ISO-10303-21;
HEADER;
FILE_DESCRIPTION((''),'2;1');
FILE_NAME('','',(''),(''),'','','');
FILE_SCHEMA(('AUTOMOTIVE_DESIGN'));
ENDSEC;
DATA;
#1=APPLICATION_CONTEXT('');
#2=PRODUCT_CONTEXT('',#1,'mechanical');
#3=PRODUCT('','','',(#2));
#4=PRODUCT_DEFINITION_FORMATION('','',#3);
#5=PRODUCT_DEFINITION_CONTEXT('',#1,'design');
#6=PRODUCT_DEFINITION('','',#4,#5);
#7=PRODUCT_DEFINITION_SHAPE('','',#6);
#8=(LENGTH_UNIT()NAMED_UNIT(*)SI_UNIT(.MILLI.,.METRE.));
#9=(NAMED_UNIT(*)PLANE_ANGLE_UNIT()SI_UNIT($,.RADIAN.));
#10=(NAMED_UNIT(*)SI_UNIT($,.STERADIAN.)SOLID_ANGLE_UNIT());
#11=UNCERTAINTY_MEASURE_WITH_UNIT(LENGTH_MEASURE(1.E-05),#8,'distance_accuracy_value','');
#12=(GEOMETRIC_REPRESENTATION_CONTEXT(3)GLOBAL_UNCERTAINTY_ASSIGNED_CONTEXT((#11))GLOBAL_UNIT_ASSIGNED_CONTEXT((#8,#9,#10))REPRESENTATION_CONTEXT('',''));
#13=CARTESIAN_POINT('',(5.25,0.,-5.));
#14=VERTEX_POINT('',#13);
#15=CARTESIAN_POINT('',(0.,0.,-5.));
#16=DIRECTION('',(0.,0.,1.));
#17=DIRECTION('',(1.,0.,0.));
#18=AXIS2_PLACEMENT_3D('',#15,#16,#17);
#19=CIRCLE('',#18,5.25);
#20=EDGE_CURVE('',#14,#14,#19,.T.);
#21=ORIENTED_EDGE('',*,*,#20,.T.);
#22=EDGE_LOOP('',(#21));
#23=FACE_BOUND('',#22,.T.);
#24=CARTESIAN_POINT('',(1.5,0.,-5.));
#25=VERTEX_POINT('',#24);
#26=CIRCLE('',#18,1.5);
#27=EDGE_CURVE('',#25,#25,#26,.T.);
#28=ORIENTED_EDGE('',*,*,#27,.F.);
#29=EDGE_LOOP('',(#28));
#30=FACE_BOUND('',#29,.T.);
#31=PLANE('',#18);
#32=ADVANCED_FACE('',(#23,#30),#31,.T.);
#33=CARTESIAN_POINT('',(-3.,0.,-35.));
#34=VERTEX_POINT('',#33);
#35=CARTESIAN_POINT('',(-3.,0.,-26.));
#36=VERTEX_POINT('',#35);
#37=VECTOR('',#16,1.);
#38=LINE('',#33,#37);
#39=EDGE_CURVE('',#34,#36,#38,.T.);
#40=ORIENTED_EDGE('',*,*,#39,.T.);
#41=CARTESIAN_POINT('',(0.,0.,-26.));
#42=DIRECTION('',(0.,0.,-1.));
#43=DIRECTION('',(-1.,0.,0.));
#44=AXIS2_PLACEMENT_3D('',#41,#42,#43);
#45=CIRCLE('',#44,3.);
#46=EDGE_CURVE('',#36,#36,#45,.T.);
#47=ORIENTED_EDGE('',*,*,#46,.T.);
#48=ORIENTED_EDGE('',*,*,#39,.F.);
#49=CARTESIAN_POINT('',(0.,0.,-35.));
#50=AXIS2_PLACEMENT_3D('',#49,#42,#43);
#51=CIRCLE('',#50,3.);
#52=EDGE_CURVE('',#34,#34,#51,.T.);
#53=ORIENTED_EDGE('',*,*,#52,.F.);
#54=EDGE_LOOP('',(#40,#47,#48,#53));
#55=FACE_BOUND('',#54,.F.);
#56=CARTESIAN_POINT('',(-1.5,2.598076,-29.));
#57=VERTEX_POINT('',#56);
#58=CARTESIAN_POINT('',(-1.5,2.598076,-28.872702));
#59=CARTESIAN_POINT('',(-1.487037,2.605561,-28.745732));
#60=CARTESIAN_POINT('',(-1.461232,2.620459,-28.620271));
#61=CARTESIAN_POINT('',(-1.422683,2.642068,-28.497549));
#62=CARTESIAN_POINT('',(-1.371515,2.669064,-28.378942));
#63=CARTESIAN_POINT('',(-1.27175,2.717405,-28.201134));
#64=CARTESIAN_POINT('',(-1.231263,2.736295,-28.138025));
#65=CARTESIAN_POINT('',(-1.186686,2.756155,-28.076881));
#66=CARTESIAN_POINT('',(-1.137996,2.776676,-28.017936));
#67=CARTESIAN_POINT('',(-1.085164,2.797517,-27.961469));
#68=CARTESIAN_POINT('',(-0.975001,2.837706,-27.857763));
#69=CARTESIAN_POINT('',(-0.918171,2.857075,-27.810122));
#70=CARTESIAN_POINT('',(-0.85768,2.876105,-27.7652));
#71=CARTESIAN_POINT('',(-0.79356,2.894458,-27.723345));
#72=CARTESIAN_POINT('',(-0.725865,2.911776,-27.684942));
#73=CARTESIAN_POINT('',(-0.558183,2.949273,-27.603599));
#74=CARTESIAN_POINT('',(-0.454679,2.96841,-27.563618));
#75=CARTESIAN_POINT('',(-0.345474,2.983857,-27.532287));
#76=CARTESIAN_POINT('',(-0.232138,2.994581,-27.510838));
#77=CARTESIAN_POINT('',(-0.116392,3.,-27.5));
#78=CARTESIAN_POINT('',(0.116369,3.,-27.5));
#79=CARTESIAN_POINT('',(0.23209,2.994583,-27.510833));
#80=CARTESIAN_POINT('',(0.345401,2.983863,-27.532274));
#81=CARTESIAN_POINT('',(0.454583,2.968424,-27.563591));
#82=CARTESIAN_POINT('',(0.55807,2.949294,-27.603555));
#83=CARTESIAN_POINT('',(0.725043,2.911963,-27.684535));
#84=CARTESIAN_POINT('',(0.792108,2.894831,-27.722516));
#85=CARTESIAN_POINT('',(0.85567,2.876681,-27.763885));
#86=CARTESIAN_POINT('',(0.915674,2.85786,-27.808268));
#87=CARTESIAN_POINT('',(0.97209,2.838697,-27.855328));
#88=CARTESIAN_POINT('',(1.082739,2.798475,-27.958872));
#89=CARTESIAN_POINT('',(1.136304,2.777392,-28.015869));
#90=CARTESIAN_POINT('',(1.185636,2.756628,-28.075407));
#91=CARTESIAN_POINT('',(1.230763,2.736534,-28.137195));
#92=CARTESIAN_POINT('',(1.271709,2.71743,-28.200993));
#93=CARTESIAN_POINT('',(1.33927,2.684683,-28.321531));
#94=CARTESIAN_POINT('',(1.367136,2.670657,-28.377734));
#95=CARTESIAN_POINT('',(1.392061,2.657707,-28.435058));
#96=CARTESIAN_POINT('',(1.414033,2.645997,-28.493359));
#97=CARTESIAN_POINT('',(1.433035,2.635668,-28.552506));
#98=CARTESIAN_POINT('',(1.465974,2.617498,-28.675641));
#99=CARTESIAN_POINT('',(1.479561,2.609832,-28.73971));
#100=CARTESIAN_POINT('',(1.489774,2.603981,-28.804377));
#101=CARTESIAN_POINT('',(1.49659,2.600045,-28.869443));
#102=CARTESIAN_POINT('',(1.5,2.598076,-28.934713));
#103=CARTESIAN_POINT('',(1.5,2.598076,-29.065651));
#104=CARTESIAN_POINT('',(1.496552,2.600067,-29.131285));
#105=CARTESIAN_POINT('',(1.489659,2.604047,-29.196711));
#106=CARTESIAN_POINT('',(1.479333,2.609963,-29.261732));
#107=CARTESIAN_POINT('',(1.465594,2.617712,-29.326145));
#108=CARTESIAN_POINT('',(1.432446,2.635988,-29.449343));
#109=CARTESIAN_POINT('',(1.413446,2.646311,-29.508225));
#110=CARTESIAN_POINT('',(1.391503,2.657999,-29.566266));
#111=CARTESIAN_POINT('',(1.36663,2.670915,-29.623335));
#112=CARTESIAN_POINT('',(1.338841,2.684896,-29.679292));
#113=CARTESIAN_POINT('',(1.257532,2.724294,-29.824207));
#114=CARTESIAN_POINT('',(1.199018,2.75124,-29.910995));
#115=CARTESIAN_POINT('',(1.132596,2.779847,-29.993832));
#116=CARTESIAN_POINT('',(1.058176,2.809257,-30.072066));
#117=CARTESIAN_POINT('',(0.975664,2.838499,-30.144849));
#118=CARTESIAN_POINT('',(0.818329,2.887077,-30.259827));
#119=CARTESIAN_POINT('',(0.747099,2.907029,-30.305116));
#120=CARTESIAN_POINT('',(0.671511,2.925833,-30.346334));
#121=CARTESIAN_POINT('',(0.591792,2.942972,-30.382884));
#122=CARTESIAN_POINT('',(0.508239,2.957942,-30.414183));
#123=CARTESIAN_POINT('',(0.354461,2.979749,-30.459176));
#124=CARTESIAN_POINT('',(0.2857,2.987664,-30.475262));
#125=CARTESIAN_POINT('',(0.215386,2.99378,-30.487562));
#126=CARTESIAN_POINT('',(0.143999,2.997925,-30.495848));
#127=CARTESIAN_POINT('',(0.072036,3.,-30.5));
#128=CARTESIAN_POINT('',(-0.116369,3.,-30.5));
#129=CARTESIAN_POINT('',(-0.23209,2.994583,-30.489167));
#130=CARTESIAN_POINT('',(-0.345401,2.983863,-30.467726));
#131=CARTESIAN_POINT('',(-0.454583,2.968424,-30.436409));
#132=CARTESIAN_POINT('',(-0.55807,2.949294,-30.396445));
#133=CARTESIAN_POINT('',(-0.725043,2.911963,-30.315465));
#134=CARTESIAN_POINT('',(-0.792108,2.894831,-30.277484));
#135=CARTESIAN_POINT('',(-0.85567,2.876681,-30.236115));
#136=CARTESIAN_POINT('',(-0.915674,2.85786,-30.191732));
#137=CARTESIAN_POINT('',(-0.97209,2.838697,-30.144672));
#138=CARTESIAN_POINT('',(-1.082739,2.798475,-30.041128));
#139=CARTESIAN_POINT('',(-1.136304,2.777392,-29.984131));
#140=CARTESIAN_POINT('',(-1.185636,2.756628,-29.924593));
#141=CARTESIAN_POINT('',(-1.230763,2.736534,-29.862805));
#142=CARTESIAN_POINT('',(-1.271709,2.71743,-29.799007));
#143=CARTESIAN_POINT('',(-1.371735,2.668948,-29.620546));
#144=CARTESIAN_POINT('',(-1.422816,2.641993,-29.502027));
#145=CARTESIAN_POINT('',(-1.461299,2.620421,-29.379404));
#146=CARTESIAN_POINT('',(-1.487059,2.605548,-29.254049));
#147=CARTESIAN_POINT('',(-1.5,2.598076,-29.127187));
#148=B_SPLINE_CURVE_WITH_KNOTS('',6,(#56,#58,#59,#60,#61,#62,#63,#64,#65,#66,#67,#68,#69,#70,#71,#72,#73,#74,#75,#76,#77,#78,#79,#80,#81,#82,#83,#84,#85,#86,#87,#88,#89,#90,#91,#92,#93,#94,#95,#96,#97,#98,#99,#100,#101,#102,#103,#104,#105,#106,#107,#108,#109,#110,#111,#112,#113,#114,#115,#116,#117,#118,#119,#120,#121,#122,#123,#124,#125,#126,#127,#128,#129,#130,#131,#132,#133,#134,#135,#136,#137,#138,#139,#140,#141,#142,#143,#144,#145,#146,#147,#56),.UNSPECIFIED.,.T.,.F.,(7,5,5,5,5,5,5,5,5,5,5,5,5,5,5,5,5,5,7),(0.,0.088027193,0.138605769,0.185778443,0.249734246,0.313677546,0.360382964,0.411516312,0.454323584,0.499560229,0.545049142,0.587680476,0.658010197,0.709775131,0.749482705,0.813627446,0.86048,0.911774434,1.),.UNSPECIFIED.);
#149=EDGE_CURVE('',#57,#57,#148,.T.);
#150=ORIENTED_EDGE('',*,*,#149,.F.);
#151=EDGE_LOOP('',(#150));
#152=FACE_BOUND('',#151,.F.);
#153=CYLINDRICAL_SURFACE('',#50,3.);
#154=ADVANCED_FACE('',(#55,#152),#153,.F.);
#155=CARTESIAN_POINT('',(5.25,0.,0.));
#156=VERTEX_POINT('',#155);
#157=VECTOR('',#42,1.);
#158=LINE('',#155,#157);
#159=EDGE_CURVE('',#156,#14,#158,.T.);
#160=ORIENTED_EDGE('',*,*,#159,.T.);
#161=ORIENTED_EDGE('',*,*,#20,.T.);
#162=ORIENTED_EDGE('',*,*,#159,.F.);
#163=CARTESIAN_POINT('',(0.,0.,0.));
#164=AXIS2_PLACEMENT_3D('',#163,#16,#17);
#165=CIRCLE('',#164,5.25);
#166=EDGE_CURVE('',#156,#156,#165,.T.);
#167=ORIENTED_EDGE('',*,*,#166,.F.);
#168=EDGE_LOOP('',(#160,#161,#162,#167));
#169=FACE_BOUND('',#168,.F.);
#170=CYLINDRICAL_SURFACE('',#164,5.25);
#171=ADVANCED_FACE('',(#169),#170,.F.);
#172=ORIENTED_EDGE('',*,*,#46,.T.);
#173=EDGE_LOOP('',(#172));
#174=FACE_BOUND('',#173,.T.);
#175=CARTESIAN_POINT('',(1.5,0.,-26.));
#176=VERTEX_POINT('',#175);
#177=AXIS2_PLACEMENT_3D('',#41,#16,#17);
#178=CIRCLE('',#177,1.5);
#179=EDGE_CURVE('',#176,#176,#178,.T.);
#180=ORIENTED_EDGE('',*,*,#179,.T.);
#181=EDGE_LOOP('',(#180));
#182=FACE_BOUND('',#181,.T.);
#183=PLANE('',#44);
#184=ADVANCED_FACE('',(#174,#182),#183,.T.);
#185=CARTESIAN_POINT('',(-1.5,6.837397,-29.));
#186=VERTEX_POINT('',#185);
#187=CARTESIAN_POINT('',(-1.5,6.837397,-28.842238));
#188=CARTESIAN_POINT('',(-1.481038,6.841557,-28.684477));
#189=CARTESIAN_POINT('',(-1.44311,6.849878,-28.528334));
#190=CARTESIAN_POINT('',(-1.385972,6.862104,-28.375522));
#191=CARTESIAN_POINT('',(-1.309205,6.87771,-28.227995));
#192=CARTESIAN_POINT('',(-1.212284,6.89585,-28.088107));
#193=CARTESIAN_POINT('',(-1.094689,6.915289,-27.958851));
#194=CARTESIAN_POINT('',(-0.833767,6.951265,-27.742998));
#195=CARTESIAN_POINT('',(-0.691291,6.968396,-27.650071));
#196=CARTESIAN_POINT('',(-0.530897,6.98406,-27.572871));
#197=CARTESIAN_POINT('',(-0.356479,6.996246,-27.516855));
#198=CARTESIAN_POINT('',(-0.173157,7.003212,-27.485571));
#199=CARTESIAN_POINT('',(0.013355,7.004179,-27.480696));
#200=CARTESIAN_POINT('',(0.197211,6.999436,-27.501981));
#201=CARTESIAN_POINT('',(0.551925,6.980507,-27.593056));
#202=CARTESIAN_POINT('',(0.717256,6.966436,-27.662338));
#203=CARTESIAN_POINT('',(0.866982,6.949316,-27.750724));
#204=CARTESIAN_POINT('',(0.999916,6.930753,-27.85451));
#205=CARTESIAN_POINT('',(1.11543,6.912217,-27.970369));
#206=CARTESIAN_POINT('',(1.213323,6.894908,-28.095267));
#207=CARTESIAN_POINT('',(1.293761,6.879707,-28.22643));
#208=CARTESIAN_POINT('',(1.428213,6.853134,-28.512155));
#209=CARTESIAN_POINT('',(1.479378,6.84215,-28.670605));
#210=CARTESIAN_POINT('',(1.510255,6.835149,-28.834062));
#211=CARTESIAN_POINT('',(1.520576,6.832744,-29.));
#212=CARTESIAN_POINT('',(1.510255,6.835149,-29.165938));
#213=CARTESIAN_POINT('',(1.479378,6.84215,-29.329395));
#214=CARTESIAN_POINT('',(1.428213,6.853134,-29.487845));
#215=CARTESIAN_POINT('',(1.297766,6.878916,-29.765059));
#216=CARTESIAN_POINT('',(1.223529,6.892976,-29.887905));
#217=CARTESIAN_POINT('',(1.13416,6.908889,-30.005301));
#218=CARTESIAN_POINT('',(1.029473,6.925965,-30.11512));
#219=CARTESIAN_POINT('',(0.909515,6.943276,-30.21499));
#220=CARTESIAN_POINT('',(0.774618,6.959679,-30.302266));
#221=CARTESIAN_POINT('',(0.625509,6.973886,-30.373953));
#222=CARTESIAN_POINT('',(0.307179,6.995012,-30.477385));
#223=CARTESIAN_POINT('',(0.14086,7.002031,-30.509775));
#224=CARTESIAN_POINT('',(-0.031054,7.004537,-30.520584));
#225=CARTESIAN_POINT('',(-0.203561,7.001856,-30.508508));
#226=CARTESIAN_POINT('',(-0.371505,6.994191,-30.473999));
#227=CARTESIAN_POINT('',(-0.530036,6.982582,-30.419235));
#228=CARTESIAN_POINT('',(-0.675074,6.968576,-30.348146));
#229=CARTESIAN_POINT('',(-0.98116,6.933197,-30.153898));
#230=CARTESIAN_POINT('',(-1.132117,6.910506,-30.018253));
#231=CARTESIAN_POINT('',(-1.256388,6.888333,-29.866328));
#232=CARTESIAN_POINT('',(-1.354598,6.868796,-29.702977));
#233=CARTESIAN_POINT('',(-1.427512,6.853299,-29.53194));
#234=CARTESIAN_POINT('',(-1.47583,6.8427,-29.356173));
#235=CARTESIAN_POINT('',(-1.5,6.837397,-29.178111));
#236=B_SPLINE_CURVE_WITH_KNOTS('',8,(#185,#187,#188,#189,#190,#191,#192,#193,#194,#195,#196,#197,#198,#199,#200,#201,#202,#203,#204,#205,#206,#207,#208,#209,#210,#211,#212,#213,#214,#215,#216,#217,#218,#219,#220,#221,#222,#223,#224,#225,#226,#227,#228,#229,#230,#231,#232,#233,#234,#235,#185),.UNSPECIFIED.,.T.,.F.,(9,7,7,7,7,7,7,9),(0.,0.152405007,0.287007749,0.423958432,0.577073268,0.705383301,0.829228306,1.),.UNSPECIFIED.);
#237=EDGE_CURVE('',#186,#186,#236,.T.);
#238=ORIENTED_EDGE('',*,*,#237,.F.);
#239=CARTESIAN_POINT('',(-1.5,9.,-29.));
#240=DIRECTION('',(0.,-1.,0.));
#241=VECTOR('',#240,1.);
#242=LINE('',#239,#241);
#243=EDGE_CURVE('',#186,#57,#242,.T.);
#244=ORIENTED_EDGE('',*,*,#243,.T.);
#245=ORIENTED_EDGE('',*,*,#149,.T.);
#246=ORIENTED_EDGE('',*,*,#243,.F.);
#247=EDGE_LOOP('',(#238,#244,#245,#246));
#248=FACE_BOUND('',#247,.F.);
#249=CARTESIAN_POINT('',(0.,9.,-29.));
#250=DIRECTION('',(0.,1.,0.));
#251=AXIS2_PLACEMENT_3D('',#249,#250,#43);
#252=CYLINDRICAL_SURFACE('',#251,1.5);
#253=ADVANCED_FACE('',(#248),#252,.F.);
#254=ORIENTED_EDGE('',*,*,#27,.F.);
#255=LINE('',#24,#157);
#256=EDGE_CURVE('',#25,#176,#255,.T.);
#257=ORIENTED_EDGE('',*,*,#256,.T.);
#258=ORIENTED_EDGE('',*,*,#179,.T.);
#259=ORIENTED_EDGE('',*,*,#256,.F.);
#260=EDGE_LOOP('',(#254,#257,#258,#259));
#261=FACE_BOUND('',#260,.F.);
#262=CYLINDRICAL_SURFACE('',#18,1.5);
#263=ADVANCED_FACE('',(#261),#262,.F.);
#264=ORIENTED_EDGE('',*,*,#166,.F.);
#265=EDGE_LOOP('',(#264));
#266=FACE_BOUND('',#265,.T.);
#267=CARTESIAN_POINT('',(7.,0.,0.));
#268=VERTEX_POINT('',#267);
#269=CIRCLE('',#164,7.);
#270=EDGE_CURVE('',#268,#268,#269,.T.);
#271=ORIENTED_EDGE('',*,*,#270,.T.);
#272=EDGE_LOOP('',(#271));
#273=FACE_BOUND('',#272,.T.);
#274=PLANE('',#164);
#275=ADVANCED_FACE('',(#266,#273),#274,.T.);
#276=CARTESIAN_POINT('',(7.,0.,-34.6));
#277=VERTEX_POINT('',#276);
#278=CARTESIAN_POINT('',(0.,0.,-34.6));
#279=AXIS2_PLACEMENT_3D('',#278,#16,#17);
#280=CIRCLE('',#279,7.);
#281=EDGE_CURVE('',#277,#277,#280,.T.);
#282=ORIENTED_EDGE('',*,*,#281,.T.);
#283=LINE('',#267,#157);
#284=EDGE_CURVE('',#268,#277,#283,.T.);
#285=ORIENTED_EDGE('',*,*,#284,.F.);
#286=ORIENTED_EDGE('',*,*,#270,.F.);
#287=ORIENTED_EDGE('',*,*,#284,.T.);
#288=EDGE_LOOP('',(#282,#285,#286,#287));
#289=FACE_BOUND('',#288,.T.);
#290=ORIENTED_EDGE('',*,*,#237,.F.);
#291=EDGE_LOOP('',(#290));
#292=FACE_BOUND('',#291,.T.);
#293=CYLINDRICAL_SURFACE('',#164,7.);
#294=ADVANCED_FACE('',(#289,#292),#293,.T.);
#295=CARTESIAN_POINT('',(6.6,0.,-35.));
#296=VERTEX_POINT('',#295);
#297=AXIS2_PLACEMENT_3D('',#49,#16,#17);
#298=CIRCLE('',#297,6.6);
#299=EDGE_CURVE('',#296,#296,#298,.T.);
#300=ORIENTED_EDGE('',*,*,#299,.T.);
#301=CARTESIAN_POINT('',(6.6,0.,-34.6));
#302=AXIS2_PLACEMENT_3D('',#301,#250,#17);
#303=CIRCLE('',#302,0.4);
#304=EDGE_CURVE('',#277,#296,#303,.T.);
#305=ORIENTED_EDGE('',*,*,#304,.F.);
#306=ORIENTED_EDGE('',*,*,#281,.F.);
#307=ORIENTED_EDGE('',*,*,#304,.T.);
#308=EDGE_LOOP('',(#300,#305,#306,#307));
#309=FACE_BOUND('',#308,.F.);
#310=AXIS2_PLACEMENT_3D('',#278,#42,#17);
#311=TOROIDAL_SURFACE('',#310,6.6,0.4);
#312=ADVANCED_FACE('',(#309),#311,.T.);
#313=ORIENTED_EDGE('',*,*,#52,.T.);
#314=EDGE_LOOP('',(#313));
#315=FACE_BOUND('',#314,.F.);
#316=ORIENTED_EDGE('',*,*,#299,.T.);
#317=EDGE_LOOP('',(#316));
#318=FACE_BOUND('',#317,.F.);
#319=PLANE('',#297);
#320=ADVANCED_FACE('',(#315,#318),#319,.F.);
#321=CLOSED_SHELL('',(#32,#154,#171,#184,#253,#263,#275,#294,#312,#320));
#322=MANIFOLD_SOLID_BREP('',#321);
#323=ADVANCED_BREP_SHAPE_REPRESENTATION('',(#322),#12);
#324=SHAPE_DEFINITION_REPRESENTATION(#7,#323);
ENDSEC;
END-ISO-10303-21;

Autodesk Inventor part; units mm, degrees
ref_plane "YZ Plane" through (0, 0, 0) normal (1, 0, 0) x (0, 1, 0)
ref_plane "XY Plane" through (0, 0, 0) normal (0, 0, 1) x (1, 0, 0)
sketch "Sketch1" plane through (0, 0, 0) normal (0, 0, 1) x (1, 0, 0)
  circle A0 centre (0, 0) radius 7
extrude "Extrusion1" add sketch "Sketch1" against normal blind 35
sketch "Sketch2" plane through (0, 0, 0) normal (0, 0, 1) x (1, 0, 0)
  circle A0 centre (0, 0) radius 7 projected
  circle A1 centre (0, 0) radius 5.25
extrude "Extrusion2" cut sketch "Sketch2" against normal blind 5 contours A1
sketch "Sketch3" plane through (0, 0, -5) normal (0, 0, 1) x (1, 0, 0)
  circle A0 centre (0, 0) radius 5.25 projected
  circle A1 centre (0, 0) radius 1.5
extrude "Extrusion3" cut sketch "Sketch3" against normal blind 30 contours A1
sketch "Sketch4" plane through (0, 0, -35) normal (0, 0, -1) x (-1, 0, 0)
  circle A0 centre (0, 0) radius 1.5 projected
  circle A1 centre (0, 0) radius 7 projected
  circle A2 centre (0, 0) radius 1.5
  circle A3 centre (0, 0) radius 3
extrude "Extrusion4" cut sketch "Sketch4" against normal blind 9 contours A3
ref_plane "Work Plane1" through (0, 9, 0) normal (0, 1, 0) x (-1, 0, 0)
sketch "Sketch5" plane through (0, 9, 0) normal (0, 1, 0) x (-1, 0, 0)
  line L0 (3, -35) -> (-3, -35) projected
  line L1 (-7, -35) -> (7, -35) projected
  circle A0 centre (0, -29) radius 1.5
  point P0 (0, 0)
extrude "Extrusion5" cut sketch "Sketch5" against normal blind 9
thread "Thread1" size "M3x0.5" class "6H" standard "ANSI Metric M Profile" full length
fillet "Fillet1" radius 0.4 1 edges at (-7, 0, -35)
properties part number "Shaft"
